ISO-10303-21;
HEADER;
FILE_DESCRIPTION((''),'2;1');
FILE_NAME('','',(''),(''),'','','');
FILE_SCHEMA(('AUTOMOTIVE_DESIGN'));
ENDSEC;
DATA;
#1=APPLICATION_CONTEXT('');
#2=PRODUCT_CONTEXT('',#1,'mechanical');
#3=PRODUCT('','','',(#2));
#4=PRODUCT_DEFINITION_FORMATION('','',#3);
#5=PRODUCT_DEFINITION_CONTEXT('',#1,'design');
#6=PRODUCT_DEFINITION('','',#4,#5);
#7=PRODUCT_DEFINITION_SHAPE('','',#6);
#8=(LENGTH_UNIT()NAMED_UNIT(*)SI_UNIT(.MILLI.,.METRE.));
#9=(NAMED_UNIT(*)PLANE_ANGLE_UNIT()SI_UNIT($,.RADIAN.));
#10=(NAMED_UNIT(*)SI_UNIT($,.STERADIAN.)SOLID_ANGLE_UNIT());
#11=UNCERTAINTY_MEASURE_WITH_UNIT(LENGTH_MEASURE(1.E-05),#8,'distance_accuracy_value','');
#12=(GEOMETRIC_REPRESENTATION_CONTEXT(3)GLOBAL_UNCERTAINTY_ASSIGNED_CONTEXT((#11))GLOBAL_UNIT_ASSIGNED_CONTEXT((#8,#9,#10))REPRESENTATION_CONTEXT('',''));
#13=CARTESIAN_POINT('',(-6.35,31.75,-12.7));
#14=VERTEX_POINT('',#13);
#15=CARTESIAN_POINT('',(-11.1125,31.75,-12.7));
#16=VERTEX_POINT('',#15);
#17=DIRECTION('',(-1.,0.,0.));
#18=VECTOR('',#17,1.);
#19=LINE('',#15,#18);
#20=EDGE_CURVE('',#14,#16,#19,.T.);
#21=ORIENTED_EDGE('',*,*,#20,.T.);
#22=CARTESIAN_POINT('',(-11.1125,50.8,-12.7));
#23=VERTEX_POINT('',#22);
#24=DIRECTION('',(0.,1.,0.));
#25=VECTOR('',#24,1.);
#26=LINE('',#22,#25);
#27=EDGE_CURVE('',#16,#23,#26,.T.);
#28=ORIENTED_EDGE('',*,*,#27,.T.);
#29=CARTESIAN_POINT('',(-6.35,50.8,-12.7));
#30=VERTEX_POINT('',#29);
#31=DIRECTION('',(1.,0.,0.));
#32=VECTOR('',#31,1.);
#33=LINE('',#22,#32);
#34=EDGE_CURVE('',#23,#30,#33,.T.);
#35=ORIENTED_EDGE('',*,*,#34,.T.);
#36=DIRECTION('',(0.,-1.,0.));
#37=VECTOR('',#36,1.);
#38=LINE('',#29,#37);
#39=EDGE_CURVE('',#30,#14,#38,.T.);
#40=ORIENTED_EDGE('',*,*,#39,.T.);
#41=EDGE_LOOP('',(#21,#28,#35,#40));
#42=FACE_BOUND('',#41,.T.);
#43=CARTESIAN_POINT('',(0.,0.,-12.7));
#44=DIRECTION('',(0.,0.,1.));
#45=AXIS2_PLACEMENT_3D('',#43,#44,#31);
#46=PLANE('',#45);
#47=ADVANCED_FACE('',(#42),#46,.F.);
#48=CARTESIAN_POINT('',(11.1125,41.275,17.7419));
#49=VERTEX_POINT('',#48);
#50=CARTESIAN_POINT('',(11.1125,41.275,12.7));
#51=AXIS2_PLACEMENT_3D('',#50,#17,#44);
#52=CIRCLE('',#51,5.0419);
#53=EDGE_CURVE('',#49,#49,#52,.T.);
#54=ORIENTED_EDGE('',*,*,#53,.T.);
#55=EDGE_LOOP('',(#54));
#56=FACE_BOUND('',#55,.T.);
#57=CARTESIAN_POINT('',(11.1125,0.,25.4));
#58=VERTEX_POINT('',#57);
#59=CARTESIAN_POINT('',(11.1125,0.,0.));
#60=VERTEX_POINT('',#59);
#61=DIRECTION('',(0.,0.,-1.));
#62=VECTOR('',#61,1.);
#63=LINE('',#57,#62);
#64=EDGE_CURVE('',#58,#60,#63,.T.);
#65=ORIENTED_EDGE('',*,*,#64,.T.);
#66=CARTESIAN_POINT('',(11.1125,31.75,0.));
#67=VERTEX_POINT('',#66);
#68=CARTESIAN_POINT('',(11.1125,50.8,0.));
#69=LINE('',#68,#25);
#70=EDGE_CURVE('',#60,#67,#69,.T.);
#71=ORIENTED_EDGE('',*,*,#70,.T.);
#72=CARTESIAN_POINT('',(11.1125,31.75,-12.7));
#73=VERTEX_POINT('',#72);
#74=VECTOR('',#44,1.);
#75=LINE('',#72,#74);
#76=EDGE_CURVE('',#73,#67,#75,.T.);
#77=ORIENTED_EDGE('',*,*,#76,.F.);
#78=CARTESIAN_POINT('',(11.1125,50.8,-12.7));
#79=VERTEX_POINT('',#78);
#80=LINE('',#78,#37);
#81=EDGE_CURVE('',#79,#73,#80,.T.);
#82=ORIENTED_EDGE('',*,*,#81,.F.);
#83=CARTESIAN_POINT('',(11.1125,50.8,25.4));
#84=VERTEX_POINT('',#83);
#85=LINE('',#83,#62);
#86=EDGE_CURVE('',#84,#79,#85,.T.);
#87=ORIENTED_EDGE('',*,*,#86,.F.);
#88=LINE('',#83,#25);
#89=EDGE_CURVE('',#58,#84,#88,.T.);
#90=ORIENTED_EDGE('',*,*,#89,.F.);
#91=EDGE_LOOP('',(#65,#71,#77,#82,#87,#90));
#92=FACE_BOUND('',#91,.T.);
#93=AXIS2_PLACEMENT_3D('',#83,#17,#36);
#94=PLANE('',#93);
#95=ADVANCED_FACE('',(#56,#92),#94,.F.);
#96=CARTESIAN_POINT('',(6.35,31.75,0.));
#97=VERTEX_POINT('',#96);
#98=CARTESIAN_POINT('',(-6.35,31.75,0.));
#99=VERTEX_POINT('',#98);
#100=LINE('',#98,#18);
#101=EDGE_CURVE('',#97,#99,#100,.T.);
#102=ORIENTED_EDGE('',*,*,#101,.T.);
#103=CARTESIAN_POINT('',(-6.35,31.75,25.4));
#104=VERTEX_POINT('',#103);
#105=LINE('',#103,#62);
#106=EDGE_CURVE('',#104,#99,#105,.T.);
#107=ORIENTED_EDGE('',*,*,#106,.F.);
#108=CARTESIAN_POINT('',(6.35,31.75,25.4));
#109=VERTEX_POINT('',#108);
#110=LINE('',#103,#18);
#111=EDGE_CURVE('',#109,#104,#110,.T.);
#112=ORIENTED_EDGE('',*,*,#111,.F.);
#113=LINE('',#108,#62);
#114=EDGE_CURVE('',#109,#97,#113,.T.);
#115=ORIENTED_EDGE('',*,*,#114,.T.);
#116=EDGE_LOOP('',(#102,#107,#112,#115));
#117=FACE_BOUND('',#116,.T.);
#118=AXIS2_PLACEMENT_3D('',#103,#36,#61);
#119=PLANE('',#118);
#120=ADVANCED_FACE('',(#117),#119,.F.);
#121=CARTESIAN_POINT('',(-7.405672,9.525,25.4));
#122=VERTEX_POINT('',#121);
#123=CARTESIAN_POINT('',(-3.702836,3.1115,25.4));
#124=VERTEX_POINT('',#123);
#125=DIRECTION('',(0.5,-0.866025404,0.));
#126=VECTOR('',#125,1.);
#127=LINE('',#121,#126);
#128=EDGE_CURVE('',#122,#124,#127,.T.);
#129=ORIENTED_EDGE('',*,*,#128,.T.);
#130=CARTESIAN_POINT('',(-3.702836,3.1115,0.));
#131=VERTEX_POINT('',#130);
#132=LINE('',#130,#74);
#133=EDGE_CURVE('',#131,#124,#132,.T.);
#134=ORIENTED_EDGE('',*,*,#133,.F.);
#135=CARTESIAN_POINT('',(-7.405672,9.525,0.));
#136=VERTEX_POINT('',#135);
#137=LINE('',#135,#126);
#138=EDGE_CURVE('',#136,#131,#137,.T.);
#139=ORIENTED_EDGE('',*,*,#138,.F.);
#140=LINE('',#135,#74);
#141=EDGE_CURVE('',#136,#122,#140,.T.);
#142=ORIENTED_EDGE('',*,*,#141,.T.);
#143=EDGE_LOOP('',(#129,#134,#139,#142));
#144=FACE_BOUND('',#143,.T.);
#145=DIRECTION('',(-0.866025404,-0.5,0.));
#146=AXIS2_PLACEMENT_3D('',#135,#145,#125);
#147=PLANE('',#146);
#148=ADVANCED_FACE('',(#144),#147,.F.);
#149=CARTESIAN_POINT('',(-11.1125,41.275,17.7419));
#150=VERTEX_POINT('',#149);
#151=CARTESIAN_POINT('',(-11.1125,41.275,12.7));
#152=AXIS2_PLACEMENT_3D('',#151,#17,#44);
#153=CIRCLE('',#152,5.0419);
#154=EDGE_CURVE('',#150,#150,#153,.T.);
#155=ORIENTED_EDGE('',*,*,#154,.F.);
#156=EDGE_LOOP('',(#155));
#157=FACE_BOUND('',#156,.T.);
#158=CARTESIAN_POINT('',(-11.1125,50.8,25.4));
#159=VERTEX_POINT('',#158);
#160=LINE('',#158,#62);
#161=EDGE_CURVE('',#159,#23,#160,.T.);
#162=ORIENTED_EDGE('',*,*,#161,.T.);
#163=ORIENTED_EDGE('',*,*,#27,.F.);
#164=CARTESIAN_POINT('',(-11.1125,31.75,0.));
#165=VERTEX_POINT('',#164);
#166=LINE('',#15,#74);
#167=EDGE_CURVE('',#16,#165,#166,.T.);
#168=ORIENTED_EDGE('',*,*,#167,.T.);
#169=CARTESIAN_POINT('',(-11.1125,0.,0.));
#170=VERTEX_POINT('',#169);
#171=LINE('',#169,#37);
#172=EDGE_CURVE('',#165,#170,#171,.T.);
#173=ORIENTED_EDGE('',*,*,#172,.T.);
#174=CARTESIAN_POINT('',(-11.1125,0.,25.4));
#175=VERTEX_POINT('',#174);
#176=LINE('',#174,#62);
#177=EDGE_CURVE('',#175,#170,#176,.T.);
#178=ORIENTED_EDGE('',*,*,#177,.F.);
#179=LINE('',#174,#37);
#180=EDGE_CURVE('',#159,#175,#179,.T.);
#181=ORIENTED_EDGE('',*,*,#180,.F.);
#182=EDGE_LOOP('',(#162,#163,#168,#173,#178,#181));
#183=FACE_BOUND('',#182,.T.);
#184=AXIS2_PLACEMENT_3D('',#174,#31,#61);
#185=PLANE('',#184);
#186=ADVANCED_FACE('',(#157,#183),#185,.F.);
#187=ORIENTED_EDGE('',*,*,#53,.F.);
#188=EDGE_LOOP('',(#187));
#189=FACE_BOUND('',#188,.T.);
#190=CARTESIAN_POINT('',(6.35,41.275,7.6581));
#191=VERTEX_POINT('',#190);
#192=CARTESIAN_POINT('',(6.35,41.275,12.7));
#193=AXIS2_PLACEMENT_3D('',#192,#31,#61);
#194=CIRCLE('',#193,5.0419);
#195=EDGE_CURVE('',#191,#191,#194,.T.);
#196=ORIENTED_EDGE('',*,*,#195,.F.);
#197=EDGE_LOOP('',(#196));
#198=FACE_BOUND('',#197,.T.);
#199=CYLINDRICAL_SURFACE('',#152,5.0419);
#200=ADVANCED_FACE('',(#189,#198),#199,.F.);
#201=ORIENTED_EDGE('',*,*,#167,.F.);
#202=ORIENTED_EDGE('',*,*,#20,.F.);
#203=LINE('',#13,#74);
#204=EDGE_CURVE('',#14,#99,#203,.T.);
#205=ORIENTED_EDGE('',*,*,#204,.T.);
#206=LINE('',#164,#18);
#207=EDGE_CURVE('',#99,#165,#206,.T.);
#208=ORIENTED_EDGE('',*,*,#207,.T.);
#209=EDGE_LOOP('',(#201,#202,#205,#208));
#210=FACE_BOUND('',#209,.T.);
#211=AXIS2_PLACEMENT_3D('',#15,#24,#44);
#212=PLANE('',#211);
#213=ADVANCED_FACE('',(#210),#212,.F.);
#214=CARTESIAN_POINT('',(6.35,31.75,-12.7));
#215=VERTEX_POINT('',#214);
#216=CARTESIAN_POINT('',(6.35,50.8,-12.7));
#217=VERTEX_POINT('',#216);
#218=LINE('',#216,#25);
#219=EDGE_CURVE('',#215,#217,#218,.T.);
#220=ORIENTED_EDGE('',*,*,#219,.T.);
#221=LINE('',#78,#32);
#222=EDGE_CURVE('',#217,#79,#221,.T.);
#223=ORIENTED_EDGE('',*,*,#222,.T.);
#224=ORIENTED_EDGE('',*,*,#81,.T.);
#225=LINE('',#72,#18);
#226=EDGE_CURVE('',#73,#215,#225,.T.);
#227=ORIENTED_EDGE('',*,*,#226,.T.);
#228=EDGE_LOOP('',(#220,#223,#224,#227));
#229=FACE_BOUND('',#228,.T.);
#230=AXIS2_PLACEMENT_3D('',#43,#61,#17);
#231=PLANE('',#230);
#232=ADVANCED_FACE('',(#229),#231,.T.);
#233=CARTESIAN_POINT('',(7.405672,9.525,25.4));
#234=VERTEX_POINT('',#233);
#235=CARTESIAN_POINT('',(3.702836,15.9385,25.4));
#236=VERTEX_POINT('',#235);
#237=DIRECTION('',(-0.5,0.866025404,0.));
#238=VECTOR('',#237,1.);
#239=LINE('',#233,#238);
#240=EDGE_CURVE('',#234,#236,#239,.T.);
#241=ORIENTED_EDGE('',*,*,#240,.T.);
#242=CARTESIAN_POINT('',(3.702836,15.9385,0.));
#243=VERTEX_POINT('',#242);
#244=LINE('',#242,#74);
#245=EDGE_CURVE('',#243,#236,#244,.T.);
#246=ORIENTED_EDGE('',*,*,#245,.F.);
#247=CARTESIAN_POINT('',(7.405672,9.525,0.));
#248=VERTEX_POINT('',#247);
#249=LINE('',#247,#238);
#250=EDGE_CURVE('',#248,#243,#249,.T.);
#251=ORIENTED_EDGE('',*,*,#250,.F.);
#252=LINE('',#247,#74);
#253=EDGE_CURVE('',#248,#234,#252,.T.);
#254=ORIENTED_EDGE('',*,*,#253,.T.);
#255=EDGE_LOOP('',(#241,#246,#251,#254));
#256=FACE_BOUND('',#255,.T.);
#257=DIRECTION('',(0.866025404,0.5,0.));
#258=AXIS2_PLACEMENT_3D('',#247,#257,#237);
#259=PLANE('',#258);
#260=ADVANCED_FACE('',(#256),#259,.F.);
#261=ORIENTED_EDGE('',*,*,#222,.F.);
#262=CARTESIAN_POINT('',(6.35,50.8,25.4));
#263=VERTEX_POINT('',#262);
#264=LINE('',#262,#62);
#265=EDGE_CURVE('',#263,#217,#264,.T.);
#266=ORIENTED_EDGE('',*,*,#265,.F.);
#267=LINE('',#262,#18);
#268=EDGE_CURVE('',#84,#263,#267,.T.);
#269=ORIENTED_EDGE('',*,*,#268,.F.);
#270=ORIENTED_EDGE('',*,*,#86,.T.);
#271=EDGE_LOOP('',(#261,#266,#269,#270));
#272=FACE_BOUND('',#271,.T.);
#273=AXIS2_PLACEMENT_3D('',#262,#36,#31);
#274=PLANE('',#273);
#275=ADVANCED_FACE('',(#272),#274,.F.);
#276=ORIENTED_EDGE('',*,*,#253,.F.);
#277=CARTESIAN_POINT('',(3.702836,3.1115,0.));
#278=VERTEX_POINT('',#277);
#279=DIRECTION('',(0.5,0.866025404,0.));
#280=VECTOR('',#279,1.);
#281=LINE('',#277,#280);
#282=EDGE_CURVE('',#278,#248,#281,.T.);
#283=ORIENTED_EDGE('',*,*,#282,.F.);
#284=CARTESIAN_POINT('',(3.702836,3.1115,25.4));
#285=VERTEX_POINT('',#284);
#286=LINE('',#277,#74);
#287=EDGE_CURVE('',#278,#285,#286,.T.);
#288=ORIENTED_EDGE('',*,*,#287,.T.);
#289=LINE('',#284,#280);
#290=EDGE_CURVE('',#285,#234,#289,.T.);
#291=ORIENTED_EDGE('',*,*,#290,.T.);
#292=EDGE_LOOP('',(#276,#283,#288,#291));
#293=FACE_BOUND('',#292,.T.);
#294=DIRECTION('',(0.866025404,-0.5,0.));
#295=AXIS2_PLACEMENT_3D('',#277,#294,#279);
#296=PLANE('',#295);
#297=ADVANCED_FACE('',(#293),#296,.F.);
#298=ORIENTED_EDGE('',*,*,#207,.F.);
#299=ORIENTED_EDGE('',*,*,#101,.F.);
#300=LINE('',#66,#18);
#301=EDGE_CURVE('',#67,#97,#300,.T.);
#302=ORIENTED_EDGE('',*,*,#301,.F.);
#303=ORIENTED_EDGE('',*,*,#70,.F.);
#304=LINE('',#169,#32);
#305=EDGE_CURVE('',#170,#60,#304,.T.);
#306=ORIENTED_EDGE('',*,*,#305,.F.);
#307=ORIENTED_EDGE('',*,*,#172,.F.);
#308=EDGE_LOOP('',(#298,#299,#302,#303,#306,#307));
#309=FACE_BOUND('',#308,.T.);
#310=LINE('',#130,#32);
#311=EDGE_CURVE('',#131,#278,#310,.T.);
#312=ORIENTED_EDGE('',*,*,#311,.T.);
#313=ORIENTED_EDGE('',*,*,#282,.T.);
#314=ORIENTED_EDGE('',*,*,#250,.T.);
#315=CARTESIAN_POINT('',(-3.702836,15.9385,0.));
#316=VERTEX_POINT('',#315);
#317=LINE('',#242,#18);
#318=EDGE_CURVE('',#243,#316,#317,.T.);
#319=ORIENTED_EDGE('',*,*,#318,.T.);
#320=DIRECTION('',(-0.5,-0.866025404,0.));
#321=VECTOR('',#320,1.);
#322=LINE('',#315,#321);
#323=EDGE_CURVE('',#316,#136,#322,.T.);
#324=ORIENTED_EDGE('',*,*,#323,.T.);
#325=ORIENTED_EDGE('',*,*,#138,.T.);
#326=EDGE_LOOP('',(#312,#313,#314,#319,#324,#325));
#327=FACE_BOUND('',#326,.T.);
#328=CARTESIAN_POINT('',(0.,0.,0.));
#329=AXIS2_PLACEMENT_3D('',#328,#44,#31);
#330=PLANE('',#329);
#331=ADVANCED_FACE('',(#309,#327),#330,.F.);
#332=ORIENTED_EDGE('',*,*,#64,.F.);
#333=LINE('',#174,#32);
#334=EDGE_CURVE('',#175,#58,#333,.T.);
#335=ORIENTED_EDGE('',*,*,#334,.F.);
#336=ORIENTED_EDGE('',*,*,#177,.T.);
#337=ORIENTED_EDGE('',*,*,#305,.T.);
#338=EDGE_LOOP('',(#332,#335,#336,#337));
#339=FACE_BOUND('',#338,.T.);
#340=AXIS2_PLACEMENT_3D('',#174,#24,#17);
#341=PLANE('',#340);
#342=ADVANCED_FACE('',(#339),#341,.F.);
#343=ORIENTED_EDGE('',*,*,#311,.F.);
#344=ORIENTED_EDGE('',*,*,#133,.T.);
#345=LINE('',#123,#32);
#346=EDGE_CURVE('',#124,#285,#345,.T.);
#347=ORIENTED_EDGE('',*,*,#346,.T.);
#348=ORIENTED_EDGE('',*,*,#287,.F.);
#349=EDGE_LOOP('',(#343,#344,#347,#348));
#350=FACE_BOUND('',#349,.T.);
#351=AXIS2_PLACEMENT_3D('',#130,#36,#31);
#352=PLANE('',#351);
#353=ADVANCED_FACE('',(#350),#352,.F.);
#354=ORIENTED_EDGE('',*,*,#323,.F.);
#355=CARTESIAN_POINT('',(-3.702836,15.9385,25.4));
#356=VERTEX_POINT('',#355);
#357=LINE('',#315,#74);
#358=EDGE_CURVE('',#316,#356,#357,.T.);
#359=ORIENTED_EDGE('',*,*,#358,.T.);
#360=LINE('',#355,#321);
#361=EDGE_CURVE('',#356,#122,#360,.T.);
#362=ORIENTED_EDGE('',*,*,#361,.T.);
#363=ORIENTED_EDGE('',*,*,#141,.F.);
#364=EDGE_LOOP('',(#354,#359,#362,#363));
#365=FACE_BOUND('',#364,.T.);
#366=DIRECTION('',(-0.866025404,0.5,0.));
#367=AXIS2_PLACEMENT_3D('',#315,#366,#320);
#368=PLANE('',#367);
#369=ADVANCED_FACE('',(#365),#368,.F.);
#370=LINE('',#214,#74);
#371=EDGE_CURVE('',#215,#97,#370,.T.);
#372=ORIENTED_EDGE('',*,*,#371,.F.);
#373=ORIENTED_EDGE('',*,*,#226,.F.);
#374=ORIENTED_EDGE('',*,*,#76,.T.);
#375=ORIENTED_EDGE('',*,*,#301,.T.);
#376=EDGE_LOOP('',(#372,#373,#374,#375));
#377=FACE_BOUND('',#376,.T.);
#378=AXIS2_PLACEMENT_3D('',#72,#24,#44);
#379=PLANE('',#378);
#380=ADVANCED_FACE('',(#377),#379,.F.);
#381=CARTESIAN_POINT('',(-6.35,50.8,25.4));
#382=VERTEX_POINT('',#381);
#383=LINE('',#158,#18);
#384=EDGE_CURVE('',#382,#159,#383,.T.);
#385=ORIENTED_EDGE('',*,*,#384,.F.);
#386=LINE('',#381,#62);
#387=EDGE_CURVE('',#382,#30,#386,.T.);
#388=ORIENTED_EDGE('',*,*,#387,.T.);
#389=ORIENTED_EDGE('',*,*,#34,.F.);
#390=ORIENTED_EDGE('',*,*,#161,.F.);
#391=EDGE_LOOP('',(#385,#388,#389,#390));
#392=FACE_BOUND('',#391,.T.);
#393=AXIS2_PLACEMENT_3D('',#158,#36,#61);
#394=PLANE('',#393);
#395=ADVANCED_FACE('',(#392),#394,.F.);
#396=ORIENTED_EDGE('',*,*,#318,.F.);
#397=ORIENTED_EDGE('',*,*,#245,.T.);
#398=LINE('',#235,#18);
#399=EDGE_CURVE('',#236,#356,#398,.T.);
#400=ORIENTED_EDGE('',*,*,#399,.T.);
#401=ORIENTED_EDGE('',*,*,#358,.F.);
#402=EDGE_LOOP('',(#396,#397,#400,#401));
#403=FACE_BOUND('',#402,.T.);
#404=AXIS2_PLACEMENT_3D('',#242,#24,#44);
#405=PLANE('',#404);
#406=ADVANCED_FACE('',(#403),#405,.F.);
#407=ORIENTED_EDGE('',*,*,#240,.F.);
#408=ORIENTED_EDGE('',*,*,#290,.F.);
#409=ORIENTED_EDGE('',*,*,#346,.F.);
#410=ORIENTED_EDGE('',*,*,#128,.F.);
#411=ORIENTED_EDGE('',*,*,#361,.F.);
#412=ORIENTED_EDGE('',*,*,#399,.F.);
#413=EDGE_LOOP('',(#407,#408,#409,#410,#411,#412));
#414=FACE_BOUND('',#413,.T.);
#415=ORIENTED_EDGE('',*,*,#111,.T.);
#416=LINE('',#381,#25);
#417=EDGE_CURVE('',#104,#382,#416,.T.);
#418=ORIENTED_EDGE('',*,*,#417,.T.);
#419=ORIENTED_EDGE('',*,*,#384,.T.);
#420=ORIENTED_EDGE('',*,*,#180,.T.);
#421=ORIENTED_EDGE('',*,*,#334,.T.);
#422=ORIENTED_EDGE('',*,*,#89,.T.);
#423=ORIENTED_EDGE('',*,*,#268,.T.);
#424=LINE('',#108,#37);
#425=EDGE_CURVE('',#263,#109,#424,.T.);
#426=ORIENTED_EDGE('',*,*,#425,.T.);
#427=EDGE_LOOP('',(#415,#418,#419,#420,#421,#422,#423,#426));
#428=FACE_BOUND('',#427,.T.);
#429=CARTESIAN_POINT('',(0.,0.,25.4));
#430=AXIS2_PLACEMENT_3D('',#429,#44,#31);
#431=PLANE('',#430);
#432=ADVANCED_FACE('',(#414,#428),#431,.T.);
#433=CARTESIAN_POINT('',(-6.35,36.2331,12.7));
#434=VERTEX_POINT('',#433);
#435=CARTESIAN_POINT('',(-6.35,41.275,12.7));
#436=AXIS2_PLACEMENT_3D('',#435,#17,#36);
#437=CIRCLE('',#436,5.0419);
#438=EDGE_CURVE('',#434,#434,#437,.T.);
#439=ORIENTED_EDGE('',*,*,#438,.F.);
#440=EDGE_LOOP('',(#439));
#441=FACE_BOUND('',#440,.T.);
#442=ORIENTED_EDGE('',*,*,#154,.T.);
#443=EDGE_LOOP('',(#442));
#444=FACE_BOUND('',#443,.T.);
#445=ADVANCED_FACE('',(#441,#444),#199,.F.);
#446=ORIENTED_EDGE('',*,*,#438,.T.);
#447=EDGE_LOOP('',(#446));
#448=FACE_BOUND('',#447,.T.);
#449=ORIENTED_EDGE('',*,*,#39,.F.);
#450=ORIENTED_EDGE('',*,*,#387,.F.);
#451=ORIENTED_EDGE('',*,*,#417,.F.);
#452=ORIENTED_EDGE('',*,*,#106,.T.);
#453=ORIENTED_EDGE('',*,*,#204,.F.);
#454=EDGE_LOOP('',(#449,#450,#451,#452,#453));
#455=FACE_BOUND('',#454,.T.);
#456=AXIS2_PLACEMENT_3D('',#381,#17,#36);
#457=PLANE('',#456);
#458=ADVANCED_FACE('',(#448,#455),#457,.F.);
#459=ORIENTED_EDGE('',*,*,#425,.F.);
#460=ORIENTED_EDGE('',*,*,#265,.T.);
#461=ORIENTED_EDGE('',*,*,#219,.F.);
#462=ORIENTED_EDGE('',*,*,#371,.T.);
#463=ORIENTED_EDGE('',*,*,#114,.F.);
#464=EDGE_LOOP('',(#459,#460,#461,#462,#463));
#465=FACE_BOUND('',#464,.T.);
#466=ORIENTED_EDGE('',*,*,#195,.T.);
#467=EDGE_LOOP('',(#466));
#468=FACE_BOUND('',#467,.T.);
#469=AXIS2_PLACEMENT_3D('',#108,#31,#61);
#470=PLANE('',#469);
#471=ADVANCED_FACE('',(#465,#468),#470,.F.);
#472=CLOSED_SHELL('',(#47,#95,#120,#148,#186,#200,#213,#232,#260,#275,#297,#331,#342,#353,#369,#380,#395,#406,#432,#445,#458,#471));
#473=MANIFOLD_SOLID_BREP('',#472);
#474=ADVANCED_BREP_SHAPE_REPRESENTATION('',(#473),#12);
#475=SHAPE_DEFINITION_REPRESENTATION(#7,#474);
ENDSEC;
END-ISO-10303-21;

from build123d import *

# Parameters (mm, degrees)
BOSS_EXTRUDE1_DEPTH     = 25.4
CUT_EXTRUDE1_DEPTH      = 58.873030474
F_3_8_CLEARANCE_HOLE1_D = 10.0838
SKETCH7_W               = 4.7625
SKETCH7_H               = 19.05
BOSS_EXTRUDE2_DEPTH     = 12.7


with BuildPart() as part:
    # Sketch1 → Boss-Extrude1 (new body)
    with BuildSketch(Plane.XY):
        Polygon((-11.1125, 0), (11.1125, 0), (11.1125, 50.8), (6.35, 50.8), (6.35, 31.75), (-6.35, 31.75), (-6.35, 50.8), (-11.1125, 50.8), align=None)
    extrude(amount=BOSS_EXTRUDE1_DEPTH)

    # Sketch2 → Cut-Extrude1 (cut, through all)
    with BuildSketch(Plane.XY.offset(25.4)):
        Polygon((3.702835951, 15.9385), (-3.702835951, 15.9385), (-7.405671903, 9.525), (-3.702835951, 3.1115), (3.702835951, 3.1115), (7.405671903, 9.525), align=None)
    extrude(amount=-CUT_EXTRUDE1_DEPTH, mode=Mode.SUBTRACT)

    # 3/8 Clearance Hole1 (through all)
    with Locations(Plane.ZY.offset(11.1125)):
        with Locations((12.7, 41.275)):
            Hole(F_3_8_CLEARANCE_HOLE1_D / 2)

    # Sketch7 → Boss-Extrude2 (add)
    with BuildSketch(Plane(origin=(0, 0, 0), x_dir=(-1, 0, 0), z_dir=(0, 0, -1))):
        with Locations((-8.73125, 41.275)):
            Rectangle(SKETCH7_W, SKETCH7_H)
        with Locations((8.73125, 41.275)):
            Rectangle(SKETCH7_W, SKETCH7_H)
    extrude(amount=BOSS_EXTRUDE2_DEPTH)


solid = part.part
